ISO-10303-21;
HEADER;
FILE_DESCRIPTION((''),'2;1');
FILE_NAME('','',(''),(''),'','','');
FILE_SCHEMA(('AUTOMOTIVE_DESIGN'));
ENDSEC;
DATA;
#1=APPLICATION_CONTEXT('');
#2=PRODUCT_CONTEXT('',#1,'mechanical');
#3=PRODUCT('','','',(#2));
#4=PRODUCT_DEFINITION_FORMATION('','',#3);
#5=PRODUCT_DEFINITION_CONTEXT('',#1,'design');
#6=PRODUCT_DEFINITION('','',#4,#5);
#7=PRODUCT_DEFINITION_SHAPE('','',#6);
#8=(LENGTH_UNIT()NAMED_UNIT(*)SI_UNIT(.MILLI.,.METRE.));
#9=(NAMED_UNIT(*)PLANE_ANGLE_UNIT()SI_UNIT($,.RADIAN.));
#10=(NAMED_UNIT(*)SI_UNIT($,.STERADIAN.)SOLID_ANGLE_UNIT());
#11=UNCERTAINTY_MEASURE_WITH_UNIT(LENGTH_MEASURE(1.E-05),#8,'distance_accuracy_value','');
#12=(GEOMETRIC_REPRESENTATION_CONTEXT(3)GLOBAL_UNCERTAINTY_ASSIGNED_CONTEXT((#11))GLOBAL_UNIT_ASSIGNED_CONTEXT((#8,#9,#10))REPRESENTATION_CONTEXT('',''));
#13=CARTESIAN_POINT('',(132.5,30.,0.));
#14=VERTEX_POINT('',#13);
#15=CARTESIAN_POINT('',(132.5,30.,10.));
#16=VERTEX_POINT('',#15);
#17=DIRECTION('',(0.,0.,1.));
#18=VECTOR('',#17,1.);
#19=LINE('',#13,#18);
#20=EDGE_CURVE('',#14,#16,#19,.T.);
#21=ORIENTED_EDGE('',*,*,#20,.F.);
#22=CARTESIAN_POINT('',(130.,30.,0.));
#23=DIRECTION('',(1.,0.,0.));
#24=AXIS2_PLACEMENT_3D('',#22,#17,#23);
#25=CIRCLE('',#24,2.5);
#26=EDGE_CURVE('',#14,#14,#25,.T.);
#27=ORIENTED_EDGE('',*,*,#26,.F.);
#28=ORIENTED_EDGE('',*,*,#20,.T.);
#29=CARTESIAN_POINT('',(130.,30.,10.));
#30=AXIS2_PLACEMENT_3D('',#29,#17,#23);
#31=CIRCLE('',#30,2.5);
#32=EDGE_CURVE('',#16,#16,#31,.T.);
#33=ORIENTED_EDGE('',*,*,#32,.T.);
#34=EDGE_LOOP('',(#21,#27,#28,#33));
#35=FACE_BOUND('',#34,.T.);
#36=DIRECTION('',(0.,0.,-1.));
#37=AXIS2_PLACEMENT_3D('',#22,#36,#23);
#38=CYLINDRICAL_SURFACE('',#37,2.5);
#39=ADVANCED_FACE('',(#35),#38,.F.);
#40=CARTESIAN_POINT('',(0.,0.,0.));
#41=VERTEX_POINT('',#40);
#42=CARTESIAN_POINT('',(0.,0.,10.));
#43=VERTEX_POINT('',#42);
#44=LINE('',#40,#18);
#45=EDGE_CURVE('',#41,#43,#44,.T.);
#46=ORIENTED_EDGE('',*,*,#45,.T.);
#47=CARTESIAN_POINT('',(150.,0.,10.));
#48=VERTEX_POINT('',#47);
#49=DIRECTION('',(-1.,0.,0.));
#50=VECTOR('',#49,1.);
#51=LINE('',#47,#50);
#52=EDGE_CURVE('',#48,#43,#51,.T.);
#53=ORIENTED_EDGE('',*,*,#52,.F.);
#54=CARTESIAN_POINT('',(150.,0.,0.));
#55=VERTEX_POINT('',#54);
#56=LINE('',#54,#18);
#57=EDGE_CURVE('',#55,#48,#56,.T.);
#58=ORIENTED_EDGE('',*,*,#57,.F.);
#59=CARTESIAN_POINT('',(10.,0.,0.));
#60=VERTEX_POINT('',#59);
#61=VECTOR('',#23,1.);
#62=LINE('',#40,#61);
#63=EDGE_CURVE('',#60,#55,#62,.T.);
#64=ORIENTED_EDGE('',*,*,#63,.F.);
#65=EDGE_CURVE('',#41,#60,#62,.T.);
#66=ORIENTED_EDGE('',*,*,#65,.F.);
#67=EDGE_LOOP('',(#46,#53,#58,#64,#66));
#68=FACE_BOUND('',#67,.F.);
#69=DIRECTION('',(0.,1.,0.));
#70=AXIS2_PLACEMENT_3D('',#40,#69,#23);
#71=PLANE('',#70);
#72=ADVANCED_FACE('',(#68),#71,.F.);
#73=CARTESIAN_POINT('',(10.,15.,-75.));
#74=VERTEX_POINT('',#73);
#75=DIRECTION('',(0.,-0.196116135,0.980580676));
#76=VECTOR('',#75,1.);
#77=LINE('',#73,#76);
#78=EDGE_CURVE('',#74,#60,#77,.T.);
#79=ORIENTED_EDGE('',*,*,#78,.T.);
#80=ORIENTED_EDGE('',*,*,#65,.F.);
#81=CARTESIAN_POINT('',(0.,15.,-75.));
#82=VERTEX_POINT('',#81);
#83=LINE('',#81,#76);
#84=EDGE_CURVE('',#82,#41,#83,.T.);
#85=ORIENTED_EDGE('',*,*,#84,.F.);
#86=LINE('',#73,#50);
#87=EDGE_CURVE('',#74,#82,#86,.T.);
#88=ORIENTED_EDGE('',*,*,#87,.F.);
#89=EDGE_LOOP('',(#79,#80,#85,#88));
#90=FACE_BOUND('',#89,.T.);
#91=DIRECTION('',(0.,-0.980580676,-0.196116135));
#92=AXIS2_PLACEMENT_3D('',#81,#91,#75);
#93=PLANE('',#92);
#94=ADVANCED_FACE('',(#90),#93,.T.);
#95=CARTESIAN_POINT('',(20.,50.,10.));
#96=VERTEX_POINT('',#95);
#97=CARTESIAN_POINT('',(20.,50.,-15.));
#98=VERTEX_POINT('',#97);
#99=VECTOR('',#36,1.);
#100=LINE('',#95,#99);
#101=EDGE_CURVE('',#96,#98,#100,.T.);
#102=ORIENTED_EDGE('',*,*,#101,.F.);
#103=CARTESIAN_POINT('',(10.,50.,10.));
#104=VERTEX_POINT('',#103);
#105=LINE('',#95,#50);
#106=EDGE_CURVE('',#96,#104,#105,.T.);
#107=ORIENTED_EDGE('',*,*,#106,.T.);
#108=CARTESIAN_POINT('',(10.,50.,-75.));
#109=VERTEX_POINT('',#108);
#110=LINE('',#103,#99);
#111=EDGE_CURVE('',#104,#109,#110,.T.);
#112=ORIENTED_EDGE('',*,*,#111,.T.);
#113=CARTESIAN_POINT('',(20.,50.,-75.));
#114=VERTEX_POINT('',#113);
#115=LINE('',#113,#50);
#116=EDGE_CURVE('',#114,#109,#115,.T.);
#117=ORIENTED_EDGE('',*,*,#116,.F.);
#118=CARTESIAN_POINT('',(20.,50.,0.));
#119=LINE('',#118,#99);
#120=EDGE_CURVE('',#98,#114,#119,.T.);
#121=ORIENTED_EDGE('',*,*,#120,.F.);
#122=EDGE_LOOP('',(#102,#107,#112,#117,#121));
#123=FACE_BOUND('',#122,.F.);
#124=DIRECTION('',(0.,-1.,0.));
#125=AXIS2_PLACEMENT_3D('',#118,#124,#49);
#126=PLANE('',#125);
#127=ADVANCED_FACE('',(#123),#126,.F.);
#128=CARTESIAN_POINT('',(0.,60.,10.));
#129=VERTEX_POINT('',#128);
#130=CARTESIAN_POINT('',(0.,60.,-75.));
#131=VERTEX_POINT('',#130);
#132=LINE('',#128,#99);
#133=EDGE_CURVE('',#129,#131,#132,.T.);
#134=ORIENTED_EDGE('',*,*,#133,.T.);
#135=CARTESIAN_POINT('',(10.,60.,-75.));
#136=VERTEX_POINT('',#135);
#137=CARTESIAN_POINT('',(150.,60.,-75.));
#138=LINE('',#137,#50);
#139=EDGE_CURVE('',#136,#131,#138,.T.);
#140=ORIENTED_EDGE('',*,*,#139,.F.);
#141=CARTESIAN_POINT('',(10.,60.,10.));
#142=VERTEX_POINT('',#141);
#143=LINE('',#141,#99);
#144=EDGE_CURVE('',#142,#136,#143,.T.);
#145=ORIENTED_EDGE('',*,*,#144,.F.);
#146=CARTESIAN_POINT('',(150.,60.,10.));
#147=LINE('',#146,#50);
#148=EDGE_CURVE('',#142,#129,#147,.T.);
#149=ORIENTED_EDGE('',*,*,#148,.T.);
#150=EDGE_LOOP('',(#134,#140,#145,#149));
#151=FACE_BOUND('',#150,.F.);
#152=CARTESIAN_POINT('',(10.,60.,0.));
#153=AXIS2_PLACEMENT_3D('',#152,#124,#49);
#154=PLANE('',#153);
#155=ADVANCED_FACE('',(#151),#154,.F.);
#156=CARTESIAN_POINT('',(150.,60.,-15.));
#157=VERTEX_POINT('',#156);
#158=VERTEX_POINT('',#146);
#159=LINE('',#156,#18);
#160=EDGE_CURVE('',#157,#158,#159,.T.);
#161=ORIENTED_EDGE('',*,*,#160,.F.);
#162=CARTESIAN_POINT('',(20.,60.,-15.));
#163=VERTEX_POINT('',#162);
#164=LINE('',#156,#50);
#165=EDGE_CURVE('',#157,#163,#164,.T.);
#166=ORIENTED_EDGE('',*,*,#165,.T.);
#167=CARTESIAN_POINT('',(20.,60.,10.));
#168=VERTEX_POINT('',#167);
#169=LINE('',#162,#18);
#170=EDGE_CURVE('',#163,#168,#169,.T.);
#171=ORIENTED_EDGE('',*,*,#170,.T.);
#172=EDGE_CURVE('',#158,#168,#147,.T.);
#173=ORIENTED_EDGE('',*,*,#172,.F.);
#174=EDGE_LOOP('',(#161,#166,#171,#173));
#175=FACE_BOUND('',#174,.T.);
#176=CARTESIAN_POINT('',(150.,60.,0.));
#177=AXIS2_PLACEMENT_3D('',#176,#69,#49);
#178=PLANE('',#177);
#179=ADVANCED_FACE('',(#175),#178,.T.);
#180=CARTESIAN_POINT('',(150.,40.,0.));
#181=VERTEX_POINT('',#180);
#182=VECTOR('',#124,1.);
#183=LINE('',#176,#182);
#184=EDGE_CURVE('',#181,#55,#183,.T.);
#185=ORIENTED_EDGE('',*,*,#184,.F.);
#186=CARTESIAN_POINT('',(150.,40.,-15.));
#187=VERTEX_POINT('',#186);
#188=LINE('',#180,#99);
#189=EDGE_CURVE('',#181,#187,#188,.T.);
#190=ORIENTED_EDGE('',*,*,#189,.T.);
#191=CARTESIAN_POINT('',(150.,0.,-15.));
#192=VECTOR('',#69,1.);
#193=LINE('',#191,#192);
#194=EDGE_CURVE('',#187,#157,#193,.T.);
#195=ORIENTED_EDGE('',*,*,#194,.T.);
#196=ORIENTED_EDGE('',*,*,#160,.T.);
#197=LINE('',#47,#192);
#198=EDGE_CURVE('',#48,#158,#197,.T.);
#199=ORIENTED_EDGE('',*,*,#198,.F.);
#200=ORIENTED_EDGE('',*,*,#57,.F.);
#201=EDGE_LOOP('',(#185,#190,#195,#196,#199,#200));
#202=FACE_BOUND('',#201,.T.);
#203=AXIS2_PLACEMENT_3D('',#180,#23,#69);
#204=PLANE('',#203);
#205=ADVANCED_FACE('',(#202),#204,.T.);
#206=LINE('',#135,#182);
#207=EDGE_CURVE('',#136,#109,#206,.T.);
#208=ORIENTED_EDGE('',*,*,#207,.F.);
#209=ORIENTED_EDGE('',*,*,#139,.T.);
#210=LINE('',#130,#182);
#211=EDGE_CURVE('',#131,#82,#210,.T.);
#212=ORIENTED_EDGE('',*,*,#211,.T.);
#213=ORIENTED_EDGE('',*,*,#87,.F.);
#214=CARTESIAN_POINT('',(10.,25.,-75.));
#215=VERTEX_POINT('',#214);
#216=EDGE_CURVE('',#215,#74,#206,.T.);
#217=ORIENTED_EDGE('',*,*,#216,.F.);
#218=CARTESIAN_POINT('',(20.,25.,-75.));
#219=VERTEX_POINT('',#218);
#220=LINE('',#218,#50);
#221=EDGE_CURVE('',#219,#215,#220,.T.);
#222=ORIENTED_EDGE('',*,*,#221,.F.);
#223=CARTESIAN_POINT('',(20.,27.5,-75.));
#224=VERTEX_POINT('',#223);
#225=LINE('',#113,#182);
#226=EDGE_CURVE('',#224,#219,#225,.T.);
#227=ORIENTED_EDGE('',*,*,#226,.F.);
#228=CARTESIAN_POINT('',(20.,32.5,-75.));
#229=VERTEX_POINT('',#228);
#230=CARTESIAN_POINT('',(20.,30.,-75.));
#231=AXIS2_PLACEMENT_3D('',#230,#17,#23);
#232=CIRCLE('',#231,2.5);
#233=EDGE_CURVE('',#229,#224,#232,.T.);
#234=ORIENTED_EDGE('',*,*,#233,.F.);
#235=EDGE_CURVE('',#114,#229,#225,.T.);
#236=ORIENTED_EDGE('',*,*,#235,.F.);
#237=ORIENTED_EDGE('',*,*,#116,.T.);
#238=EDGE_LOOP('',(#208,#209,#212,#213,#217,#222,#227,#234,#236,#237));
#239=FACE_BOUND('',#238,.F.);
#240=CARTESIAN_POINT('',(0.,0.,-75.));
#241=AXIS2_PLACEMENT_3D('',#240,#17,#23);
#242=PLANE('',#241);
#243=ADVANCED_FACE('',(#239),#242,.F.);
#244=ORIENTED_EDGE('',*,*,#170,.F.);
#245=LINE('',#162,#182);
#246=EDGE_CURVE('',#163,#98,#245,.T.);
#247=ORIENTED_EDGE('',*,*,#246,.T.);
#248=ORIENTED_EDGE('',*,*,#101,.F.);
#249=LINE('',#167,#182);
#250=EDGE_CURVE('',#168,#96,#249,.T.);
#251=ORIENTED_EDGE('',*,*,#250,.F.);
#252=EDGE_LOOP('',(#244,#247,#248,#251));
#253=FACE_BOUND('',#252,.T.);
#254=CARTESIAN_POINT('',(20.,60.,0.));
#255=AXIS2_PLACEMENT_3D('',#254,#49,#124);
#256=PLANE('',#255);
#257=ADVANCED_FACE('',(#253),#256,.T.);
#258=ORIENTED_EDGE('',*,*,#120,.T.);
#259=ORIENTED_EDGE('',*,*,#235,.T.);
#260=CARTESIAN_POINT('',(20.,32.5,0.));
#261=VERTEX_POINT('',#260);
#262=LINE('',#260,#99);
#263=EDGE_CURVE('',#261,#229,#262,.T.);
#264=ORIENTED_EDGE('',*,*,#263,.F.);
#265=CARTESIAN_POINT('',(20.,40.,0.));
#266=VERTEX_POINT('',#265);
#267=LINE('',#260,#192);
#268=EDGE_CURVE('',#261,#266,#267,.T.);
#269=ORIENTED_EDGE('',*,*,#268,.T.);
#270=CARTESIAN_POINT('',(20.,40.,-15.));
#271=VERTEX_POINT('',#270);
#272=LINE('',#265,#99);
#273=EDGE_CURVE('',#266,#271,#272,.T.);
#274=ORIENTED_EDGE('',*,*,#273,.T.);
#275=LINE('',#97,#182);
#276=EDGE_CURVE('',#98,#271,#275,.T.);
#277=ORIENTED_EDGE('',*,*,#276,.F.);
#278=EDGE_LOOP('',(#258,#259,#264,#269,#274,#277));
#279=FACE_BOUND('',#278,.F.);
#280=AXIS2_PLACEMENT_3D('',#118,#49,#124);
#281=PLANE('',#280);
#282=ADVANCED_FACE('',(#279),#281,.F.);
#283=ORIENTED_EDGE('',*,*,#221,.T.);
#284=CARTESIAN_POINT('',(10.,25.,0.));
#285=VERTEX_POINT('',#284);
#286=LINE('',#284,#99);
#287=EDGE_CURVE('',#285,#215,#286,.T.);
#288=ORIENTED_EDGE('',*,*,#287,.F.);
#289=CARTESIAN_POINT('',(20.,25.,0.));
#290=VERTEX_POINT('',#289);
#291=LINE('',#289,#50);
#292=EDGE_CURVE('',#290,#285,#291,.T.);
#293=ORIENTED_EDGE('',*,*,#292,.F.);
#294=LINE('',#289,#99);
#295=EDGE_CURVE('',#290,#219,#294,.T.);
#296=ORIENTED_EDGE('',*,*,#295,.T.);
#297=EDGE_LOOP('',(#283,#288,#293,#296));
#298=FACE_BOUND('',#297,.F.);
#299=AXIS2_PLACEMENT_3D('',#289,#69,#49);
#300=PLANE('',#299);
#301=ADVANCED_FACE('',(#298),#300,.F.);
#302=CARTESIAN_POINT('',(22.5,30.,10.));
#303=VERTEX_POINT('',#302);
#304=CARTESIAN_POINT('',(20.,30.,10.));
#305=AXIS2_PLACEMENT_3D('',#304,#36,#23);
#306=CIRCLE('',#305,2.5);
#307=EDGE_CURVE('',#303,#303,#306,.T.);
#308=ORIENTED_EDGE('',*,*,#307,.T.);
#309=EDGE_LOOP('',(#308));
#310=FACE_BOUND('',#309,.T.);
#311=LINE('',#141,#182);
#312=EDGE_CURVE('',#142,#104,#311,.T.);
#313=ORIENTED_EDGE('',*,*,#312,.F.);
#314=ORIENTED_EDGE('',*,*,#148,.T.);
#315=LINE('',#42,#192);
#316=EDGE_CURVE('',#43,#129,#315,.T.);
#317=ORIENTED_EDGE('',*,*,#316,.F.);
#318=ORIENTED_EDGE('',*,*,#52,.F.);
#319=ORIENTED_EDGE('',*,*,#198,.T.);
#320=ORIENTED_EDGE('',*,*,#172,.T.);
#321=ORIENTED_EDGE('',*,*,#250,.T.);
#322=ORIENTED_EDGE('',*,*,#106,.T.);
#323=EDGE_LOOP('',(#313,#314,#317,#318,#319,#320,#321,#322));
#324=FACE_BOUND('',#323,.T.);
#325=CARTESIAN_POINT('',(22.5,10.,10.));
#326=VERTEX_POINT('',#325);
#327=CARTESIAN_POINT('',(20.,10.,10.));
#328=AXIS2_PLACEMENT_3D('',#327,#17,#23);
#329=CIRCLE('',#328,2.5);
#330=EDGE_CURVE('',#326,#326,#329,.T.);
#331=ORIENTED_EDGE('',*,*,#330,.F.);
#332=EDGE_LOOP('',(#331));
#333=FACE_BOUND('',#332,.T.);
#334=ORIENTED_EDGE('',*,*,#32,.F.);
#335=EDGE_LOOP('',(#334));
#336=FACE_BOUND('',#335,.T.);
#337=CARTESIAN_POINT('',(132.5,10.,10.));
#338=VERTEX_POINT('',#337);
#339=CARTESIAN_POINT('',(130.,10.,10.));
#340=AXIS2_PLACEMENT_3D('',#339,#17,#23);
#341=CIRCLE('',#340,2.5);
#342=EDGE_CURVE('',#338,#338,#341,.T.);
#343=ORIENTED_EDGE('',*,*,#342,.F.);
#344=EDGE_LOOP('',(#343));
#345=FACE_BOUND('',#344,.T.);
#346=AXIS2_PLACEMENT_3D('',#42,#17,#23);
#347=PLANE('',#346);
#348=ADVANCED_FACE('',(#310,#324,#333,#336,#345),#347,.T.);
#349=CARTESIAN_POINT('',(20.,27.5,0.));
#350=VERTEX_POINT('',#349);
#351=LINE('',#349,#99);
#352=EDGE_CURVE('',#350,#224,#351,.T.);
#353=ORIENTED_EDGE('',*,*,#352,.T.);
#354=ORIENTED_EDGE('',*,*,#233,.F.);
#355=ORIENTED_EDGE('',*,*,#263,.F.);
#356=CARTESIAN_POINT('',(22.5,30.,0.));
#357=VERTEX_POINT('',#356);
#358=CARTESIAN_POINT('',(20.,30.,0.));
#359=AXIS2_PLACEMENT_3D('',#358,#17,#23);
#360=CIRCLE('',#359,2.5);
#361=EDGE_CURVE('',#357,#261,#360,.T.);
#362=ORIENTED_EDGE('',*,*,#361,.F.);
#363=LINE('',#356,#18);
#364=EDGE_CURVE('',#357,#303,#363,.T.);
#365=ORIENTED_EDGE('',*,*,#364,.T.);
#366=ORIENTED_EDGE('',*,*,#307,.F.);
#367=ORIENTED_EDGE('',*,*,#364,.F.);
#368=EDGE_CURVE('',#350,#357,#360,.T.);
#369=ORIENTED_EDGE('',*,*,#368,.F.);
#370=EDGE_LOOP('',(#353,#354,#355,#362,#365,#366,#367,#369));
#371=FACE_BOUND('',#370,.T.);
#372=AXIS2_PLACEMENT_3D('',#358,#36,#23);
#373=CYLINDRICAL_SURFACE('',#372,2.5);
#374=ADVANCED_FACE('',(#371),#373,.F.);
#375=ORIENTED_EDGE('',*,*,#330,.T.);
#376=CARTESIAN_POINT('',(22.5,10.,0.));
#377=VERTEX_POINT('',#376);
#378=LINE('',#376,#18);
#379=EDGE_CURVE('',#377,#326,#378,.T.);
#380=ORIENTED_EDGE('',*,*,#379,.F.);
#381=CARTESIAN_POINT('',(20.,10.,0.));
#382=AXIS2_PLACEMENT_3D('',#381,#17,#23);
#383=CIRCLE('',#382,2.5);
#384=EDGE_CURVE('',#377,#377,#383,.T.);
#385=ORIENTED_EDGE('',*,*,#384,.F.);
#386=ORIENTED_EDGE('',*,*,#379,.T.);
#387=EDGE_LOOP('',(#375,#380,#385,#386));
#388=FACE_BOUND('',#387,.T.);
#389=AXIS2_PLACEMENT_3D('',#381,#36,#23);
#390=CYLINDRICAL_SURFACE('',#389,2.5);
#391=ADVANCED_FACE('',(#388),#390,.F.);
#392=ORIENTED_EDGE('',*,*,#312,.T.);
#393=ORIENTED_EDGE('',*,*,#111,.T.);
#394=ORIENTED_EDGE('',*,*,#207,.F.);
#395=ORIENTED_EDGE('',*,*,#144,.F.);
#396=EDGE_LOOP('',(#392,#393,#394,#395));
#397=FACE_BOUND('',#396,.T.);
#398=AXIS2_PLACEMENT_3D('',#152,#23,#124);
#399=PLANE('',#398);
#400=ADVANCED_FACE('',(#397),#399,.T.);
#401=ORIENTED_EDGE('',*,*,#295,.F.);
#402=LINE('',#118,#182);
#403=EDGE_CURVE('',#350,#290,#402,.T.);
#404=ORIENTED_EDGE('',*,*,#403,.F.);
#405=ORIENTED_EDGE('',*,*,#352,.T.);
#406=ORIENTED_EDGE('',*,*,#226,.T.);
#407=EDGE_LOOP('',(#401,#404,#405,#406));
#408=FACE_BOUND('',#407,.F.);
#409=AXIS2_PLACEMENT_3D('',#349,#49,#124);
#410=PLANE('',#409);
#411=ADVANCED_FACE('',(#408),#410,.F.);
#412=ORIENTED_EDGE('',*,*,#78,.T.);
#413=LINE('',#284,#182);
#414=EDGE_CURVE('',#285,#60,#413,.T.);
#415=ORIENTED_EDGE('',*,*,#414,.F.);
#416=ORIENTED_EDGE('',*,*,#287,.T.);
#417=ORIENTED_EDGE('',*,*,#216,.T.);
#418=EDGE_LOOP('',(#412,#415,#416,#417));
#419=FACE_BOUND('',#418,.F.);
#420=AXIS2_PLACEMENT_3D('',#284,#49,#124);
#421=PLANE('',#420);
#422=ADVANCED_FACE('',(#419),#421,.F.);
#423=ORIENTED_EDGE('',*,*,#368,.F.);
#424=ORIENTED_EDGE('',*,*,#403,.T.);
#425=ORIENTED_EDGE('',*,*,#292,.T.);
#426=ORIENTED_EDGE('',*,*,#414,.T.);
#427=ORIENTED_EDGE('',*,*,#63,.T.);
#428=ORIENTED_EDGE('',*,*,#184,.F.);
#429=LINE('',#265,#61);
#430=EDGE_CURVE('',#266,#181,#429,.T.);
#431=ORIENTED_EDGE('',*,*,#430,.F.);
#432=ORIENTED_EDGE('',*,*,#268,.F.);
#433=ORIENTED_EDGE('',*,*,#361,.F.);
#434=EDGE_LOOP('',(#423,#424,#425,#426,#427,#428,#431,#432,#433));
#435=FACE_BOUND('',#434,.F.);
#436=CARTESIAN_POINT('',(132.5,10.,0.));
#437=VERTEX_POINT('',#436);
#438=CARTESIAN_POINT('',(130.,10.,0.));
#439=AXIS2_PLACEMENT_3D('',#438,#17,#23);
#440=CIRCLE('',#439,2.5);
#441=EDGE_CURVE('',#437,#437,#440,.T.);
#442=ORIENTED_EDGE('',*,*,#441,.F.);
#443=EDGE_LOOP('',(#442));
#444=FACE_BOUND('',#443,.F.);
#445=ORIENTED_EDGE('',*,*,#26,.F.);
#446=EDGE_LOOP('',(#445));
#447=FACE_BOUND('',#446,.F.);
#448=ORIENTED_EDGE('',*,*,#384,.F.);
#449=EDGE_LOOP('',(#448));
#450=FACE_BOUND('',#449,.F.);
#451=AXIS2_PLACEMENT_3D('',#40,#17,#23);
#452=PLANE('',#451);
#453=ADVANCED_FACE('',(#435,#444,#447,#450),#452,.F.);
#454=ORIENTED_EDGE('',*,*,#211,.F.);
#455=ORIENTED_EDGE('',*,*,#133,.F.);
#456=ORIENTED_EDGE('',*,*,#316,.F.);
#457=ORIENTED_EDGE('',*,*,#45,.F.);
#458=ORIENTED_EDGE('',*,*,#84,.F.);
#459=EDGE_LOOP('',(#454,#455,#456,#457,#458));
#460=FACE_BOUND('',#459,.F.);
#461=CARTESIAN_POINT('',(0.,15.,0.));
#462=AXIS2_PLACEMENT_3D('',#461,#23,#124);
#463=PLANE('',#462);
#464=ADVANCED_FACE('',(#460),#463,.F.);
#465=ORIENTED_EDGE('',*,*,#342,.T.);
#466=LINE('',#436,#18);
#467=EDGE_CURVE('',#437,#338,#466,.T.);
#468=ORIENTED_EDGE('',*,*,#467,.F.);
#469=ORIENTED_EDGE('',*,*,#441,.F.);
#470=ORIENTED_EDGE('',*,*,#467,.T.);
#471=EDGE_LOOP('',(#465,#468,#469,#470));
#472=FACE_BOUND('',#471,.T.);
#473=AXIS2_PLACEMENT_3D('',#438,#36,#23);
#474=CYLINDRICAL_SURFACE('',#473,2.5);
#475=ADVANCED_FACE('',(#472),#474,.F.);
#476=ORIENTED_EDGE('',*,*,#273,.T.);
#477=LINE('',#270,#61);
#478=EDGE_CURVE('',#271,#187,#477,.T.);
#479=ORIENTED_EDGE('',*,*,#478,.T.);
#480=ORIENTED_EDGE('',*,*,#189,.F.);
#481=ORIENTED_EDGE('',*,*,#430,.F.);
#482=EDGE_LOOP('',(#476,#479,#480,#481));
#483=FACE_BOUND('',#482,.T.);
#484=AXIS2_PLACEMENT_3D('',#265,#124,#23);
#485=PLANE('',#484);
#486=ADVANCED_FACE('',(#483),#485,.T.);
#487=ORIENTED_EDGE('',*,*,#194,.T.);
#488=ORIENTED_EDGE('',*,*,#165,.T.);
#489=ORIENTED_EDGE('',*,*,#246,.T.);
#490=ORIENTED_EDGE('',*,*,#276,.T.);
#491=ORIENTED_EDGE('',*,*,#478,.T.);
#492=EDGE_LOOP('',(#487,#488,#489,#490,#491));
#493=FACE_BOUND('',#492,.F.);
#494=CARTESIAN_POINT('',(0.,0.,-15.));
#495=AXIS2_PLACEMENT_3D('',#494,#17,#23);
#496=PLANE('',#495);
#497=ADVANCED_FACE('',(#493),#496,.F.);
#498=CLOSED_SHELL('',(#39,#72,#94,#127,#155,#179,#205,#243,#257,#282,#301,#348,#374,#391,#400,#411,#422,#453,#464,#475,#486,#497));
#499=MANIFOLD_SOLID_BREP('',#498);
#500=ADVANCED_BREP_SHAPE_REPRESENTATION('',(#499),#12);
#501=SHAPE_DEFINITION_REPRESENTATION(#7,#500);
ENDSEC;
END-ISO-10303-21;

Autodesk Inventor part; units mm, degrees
ref_plane "YZ Plane" through (0, 0, 0) normal (1, 0, 0) x (0, 1, 0)
ref_plane "XZ Plane" through (0, 0, 0) normal (0, 1, 0) x (-1, 0, 0)
ref_plane "XY Plane" through (0, 0, 0) normal (0, 0, 1) x (1, 0, 0)
sketch "스케치1" plane through (0, 0, 0) normal (0, 0, 1) x (1, 0, 0)
  line L0 (0, 0) -> (150, 0)
  line L1 (150, 0) -> (150, 60)
  line L2 (150, 60) -> (0, 60)
  line L3 (0, 60) -> (0, 0)
  circle A0 centre (20, 30) radius 2.5
  circle A1 centre (20, 10) radius 2.5
  circle A2 centre (130, 30) radius 2.5
  circle A3 centre (130, 10) radius 2.5
  line L4 (10, 60) -> (10, 0)
  line L5 (20, 60) -> (20, 50)
  line L6 (20, 50) -> (10, 50)
  line L7 (20, 50) -> (20, 25)
  line L8 (20, 25) -> (10, 25)
  line L9 (10, 15) -> (0, 15)
  line L10 (20, 40) -> (150, 40)
  point P0 (20, 27.5)
  point P1 (20, 32.5)
  dimension "d0" = 5
  dimension "d1" = 30
  dimension "d2" = 20
  dimension "d3" = 20
  dimension "d4" = 150
  dimension "d5" = 20
  dimension "d6" = 60
  dimension "d7" = 10
  dimension "d8" = 10
  dimension "d9" = 10
  dimension "d10" = 10
  dimension "d11" = 25
  dimension "d16" = 10
  dimension "d19" = 20
extrude "돌출1" add sketch "스케치1" along normal blind 10 contours L3 L9 L4 L0 | L4 L8 L7 A0 L10 L1 L0 | L3 L2 L4 L9 | L10 L7 L5 L2 L1 | L4 L6 L7 A0 L8
extrude "돌출2" add sketch "스케치1" against normal blind 75 contours L3 L2 L4 L9 | L4 L6 L7 A0 L8
sketch "스케치2" plane through (0, 0, 10) normal (-1, 0, 0) x (0, 0, -1)
  line L0 (0, -60) -> (0, 0) projected
  line L1 (10, 0) -> (0, 0) projected
  line L2 (10, -15) -> (10, 0) projected
  line L3 (10, -15) -> (85, -15) projected
  line L4 (85, -15) -> (85, -60) projected
  line L5 (85, -15) -> (10, 0)
  line L6 (85, -60) -> (0, -60) projected
  point P0 (0, -2)
extrude "돌출3" add sketch "스케치2" against normal up to surface (10 mm away)
extrude "돌출4" add sketch "스케치1" against normal blind 15 contours L10 L7 L5 L2 L1
properties part number "NewModuleConnectorLeft_3D 인쇄"
